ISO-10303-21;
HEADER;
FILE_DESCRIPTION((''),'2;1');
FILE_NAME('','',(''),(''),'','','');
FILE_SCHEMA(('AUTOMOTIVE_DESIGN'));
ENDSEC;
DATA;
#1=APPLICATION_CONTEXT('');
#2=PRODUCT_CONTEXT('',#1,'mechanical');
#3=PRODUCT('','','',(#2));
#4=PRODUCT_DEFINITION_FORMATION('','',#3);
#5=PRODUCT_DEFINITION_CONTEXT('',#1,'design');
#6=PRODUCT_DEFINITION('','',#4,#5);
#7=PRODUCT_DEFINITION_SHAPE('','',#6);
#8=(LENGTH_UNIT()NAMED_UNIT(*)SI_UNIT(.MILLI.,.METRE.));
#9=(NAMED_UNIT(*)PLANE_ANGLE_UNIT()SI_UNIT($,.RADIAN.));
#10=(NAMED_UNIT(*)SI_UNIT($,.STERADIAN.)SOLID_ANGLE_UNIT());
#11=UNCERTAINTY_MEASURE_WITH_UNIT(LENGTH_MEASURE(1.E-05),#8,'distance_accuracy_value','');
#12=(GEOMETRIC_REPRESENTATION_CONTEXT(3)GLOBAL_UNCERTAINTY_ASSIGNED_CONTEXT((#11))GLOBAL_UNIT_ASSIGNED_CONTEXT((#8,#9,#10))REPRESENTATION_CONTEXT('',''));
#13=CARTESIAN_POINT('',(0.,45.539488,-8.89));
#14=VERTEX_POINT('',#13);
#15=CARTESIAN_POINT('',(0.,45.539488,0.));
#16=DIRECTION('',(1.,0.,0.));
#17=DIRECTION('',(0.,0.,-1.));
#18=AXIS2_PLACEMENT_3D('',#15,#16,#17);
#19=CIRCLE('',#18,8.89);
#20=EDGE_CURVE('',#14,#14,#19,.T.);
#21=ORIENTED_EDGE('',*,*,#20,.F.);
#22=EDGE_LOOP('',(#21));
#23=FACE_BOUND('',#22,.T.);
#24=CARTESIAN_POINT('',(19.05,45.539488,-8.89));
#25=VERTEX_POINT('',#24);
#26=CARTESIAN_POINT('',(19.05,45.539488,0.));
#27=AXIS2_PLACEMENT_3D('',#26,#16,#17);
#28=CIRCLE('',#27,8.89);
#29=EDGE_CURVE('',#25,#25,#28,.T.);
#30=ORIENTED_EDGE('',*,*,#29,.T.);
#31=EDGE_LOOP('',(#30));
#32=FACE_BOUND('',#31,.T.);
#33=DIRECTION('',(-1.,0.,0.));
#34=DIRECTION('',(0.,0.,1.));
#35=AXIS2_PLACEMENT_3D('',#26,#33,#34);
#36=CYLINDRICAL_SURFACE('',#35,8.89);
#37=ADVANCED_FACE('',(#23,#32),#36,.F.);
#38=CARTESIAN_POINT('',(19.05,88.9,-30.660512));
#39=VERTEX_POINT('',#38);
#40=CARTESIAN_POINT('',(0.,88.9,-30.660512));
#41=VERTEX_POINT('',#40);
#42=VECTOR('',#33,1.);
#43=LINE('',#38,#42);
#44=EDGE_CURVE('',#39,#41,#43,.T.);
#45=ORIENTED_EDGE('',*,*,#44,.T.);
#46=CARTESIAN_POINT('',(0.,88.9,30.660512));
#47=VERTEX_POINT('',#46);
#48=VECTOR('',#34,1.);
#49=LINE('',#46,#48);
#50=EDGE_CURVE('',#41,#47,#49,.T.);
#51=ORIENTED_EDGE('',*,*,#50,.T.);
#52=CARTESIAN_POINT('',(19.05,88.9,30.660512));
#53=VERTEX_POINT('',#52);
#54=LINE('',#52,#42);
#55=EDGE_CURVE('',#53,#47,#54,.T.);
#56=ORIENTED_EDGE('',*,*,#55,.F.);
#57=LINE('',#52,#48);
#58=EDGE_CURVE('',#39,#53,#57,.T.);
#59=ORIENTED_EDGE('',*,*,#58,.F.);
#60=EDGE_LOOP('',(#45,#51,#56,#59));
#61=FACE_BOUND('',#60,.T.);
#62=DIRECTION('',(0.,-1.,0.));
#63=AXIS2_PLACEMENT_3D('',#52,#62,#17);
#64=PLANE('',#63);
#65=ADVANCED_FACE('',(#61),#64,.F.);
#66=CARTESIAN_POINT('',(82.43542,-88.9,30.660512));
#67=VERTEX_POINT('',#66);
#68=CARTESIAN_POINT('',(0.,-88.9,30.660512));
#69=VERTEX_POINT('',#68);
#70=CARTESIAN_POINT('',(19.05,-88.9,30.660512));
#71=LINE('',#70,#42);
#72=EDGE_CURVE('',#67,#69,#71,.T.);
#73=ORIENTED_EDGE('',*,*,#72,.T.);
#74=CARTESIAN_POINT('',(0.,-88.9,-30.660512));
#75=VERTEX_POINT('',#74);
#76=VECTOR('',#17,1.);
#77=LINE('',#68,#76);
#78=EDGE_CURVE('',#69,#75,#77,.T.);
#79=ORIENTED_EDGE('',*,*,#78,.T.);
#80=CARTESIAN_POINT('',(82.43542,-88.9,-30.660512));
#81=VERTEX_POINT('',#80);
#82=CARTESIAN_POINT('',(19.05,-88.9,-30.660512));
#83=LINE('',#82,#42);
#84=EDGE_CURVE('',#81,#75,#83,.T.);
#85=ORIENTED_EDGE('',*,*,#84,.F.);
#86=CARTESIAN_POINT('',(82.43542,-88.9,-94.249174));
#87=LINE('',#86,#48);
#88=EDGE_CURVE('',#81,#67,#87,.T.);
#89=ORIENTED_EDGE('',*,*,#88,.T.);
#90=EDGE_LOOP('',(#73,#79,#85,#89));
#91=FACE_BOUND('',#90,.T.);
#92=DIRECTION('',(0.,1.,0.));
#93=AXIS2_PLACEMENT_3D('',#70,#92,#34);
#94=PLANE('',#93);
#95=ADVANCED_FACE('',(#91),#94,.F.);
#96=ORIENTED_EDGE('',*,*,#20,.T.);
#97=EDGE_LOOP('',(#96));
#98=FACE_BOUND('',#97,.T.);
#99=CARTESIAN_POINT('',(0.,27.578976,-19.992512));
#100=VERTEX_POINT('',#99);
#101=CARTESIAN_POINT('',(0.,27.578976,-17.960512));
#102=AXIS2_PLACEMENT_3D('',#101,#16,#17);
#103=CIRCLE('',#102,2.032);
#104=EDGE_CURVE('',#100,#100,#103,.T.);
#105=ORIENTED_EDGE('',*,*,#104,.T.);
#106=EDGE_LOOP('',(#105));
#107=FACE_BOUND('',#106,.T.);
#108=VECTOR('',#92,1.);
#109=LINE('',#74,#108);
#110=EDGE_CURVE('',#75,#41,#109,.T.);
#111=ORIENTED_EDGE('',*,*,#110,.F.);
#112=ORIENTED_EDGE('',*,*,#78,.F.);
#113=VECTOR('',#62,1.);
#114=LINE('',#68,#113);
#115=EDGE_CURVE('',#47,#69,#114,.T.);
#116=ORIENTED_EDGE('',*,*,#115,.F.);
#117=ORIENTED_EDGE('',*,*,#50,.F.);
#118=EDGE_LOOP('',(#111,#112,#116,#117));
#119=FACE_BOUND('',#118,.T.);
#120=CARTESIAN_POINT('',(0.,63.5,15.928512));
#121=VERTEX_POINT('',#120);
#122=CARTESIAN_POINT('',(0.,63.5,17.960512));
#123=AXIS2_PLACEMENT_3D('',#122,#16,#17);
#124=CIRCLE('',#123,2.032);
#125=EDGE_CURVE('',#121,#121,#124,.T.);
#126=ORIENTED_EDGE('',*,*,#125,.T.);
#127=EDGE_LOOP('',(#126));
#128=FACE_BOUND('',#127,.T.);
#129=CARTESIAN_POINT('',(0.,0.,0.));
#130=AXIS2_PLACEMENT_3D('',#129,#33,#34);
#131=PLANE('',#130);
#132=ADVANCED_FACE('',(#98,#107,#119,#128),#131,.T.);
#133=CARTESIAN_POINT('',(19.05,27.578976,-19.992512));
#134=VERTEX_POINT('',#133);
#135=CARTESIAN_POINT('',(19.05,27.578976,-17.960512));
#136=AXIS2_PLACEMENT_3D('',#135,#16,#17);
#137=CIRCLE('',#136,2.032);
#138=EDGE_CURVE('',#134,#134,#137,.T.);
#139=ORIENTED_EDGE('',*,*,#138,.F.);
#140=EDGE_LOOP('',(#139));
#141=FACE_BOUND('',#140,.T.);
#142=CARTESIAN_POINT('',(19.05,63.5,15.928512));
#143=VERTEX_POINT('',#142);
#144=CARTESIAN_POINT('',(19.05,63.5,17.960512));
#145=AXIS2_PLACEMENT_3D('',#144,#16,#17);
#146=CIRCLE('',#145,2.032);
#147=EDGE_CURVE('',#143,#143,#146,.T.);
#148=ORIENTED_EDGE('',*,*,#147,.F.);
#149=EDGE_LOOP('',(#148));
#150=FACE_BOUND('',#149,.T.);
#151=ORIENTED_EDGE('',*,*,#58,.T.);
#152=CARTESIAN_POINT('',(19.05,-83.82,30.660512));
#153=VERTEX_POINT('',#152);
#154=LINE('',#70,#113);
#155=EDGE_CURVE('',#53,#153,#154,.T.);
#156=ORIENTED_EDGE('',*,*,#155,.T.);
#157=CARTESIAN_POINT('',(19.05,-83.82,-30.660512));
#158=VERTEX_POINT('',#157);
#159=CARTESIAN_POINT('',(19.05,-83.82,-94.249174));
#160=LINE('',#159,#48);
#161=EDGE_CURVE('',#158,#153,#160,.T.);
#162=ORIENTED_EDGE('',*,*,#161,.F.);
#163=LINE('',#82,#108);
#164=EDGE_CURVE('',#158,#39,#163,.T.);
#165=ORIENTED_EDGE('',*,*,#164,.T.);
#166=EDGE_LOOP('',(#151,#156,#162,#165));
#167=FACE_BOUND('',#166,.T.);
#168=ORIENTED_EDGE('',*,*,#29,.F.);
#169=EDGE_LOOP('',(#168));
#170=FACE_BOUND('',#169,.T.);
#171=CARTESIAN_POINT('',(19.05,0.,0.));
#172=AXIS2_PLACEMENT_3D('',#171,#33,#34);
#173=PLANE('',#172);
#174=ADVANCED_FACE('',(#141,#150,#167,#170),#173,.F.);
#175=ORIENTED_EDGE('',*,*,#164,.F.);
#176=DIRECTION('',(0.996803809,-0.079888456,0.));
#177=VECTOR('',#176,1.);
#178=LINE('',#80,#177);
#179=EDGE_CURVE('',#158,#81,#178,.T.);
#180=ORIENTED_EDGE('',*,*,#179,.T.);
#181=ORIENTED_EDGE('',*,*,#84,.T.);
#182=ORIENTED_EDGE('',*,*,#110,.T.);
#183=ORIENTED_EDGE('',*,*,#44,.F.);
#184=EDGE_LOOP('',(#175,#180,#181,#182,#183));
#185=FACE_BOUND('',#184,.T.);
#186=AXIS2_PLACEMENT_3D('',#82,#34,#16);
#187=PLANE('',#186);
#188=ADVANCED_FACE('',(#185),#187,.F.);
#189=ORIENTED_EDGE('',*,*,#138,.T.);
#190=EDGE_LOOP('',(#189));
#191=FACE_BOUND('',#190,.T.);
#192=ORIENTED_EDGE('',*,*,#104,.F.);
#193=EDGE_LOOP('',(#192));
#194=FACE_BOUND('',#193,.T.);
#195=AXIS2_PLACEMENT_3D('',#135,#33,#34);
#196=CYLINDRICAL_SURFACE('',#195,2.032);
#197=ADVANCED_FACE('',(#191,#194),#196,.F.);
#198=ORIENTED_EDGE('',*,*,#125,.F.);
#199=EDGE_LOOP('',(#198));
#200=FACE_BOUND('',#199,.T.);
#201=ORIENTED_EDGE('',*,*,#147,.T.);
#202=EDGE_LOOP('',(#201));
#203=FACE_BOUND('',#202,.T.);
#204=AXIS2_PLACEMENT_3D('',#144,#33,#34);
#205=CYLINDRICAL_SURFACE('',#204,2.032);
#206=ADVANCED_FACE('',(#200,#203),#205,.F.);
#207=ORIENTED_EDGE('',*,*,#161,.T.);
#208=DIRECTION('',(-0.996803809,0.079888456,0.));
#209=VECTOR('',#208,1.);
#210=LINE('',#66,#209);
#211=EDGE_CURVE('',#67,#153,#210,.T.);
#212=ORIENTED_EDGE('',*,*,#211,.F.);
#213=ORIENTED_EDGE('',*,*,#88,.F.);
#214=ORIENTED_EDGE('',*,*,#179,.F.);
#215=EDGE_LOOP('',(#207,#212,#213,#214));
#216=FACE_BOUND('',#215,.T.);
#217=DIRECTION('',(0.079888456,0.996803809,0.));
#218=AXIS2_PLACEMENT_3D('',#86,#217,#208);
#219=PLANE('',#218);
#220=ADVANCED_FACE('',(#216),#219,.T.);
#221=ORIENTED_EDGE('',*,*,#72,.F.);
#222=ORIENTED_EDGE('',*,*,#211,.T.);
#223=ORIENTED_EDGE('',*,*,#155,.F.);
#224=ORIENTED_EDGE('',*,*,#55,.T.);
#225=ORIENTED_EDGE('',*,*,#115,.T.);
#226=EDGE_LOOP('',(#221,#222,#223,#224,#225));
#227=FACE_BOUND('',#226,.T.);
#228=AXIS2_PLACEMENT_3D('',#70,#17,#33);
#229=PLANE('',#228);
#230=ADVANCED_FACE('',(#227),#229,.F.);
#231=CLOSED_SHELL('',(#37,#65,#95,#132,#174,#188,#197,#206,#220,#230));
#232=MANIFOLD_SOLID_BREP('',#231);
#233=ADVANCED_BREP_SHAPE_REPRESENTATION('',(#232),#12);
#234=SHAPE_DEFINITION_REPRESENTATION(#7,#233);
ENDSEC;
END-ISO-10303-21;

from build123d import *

# Parameters (mm, degrees)
SKETCH1_W           = 61.321024484
SKETCH1_H           = 177.8
SKETCH1_R           = 8.89
SKETCH1_R_2         = 2.032
BOSS_EXTRUDE1_DEPTH = 19.05
BOSS_EXTRUDE2_DEPTH = 61.321024


with BuildPart() as part:
    # Sketch1 → Boss-Extrude1 (new body)
    with BuildSketch(Plane(origin=(0, 0, 0), x_dir=(0, 0, -1), z_dir=(1, 0, 0))):
        Rectangle(SKETCH1_W, SKETCH1_H)
        with Locations((0, 45.539487758)):
            Circle(SKETCH1_R, mode=Mode.SUBTRACT)
        with Locations((-17.960512242, 63.5)):
            Circle(SKETCH1_R_2, mode=Mode.SUBTRACT)
        with Locations((17.960512242, 27.578975516)):
            Circle(SKETCH1_R_2, mode=Mode.SUBTRACT)
    extrude(amount=BOSS_EXTRUDE1_DEPTH)

    # Sketch2 → Boss-Extrude2 (add)
    with BuildSketch(Plane.XY.offset(30.660512242)):
        Polygon((19.05, -88.9), (82.435420259, -88.9), (19.05, -83.82), align=None)
    extrude(amount=-BOSS_EXTRUDE2_DEPTH)


solid = part.part
